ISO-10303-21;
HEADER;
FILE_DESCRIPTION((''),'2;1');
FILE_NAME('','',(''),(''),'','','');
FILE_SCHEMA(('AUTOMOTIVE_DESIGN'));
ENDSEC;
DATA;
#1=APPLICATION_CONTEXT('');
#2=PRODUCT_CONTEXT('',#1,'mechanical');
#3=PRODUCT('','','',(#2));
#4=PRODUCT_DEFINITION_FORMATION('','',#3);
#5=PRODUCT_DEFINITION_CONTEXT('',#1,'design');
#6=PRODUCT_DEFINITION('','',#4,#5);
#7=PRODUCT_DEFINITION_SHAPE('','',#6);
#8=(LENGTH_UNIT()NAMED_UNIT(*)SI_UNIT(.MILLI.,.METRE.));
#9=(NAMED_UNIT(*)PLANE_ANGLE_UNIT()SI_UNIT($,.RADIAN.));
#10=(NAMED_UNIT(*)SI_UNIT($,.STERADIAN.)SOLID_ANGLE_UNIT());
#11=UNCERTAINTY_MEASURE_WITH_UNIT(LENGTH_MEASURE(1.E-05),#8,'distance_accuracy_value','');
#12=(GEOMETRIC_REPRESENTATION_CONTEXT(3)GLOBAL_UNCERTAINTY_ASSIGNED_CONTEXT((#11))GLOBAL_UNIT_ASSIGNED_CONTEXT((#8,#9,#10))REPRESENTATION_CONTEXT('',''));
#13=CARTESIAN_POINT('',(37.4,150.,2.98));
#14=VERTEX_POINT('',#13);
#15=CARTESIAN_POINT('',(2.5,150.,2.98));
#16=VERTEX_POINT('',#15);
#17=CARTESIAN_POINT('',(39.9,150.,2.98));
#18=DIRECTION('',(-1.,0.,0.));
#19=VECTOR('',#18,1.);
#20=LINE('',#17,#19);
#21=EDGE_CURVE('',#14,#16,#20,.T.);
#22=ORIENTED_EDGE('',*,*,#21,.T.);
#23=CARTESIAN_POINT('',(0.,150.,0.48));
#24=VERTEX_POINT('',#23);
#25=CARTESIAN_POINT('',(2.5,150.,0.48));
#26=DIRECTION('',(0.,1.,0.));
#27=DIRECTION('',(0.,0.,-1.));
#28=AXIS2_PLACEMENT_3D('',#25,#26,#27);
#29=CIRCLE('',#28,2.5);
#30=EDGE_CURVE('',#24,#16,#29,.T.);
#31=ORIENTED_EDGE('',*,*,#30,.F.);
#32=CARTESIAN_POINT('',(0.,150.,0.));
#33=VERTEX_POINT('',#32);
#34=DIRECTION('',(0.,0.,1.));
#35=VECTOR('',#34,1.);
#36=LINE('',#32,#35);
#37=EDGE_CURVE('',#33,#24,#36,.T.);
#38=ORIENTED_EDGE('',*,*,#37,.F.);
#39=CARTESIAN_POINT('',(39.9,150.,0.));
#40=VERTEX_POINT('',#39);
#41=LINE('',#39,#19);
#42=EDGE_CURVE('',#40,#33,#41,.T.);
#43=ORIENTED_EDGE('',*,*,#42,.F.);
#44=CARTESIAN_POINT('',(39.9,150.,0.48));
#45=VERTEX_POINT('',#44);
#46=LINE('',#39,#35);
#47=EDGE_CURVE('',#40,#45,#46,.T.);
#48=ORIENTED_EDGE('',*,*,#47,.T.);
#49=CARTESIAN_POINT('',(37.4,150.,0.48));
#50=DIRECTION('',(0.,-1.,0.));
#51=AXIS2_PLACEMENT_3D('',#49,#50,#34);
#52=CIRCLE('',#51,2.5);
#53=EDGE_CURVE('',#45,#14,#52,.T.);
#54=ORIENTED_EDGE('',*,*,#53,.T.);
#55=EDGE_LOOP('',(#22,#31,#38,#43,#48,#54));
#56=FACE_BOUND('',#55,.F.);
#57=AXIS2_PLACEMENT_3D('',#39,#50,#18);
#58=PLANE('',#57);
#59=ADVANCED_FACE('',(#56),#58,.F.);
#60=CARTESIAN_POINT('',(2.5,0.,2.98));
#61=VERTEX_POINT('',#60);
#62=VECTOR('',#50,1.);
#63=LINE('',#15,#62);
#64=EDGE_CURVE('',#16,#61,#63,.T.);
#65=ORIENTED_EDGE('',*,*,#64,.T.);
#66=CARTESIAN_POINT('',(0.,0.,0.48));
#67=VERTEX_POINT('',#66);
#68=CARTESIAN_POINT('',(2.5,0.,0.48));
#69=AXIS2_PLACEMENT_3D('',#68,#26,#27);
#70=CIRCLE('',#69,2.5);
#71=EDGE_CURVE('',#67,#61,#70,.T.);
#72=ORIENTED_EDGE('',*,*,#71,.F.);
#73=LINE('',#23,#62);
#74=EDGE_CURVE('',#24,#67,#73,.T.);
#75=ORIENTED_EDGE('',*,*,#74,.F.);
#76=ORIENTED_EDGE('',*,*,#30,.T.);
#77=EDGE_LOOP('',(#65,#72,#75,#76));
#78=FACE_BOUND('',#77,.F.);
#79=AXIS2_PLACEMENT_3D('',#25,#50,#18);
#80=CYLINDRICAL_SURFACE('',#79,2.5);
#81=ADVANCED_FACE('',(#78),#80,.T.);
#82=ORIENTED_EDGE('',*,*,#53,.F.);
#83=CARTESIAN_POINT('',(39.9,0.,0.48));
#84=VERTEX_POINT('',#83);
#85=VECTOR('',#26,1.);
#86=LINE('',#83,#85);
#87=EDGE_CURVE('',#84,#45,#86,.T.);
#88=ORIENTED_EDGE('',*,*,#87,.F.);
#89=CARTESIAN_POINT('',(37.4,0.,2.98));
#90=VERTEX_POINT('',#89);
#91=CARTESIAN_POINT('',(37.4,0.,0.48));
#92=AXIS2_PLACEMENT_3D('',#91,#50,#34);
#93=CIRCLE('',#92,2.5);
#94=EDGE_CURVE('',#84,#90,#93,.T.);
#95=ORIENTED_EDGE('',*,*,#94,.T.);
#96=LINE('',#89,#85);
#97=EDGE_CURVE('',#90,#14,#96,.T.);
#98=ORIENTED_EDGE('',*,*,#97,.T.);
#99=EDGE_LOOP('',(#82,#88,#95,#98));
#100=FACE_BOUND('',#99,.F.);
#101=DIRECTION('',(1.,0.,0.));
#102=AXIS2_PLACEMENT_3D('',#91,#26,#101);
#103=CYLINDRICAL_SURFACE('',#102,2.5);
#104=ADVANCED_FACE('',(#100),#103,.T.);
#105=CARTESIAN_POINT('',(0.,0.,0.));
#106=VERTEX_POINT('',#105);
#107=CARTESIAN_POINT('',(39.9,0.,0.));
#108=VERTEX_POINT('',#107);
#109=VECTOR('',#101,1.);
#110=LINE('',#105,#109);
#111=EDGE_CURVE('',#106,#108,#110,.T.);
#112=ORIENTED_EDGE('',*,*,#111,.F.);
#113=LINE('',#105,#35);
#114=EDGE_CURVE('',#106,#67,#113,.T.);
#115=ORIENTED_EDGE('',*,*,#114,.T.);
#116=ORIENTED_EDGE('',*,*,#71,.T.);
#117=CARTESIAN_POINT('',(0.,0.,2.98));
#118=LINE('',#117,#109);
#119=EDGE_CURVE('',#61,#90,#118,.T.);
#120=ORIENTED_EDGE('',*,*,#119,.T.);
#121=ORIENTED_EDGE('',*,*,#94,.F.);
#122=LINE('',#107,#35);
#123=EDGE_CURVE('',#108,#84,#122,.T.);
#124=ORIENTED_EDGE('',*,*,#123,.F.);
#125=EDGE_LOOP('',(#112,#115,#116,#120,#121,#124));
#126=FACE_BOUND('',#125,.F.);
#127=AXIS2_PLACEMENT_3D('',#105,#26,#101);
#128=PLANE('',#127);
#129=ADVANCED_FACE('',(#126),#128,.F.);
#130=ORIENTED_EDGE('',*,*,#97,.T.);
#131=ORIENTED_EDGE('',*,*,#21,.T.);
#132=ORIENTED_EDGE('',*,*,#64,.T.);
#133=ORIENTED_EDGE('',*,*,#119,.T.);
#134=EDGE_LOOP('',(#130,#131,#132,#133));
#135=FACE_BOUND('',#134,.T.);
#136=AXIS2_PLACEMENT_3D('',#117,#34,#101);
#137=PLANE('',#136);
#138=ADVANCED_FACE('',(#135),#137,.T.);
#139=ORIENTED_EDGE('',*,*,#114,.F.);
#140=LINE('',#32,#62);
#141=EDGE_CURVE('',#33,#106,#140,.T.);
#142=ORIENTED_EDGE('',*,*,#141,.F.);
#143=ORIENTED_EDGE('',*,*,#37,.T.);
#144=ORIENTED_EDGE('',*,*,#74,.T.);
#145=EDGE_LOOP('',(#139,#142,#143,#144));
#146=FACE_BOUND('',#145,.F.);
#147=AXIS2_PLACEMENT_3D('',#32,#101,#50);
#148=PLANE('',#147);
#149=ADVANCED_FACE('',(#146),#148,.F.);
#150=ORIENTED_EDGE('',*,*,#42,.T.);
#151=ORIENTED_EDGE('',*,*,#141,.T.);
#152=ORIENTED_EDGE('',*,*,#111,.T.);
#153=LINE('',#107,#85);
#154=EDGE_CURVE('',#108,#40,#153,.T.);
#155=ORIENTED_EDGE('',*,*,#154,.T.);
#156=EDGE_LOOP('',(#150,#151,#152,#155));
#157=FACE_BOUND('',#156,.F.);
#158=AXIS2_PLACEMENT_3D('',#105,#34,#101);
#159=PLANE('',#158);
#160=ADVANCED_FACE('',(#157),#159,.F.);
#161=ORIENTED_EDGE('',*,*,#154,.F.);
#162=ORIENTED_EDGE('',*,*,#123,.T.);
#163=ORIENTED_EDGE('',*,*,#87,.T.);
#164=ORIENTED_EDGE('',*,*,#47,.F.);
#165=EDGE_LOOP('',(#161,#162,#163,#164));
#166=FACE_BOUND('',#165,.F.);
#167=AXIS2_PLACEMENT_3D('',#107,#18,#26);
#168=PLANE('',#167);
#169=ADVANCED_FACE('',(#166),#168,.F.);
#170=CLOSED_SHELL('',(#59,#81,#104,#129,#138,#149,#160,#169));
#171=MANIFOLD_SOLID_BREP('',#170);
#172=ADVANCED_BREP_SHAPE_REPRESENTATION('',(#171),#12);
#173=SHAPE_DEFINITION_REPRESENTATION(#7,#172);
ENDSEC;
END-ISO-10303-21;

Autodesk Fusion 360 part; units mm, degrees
sketch "Sketch1" plane through (0, 0, 0) normal (0, 0, 1) x (1, 0, 0)
  line L0 (0, 0) -> (39.9, 0)
  line L1 (39.9, 0) -> (39.9, 150)
  line L2 (39.9, 150) -> (0, 150)
  line L3 (0, 150) -> (0, 0)
  dimension "d1" = 39.9
  dimension "d2" = 150
extrude "Extrude1" add sketch "Sketch1" along normal blind 2.98
fillet "Fillet1" radius 2.5 2 edges at (39.9, 75, 2.98) (0, 75, 2.98)
